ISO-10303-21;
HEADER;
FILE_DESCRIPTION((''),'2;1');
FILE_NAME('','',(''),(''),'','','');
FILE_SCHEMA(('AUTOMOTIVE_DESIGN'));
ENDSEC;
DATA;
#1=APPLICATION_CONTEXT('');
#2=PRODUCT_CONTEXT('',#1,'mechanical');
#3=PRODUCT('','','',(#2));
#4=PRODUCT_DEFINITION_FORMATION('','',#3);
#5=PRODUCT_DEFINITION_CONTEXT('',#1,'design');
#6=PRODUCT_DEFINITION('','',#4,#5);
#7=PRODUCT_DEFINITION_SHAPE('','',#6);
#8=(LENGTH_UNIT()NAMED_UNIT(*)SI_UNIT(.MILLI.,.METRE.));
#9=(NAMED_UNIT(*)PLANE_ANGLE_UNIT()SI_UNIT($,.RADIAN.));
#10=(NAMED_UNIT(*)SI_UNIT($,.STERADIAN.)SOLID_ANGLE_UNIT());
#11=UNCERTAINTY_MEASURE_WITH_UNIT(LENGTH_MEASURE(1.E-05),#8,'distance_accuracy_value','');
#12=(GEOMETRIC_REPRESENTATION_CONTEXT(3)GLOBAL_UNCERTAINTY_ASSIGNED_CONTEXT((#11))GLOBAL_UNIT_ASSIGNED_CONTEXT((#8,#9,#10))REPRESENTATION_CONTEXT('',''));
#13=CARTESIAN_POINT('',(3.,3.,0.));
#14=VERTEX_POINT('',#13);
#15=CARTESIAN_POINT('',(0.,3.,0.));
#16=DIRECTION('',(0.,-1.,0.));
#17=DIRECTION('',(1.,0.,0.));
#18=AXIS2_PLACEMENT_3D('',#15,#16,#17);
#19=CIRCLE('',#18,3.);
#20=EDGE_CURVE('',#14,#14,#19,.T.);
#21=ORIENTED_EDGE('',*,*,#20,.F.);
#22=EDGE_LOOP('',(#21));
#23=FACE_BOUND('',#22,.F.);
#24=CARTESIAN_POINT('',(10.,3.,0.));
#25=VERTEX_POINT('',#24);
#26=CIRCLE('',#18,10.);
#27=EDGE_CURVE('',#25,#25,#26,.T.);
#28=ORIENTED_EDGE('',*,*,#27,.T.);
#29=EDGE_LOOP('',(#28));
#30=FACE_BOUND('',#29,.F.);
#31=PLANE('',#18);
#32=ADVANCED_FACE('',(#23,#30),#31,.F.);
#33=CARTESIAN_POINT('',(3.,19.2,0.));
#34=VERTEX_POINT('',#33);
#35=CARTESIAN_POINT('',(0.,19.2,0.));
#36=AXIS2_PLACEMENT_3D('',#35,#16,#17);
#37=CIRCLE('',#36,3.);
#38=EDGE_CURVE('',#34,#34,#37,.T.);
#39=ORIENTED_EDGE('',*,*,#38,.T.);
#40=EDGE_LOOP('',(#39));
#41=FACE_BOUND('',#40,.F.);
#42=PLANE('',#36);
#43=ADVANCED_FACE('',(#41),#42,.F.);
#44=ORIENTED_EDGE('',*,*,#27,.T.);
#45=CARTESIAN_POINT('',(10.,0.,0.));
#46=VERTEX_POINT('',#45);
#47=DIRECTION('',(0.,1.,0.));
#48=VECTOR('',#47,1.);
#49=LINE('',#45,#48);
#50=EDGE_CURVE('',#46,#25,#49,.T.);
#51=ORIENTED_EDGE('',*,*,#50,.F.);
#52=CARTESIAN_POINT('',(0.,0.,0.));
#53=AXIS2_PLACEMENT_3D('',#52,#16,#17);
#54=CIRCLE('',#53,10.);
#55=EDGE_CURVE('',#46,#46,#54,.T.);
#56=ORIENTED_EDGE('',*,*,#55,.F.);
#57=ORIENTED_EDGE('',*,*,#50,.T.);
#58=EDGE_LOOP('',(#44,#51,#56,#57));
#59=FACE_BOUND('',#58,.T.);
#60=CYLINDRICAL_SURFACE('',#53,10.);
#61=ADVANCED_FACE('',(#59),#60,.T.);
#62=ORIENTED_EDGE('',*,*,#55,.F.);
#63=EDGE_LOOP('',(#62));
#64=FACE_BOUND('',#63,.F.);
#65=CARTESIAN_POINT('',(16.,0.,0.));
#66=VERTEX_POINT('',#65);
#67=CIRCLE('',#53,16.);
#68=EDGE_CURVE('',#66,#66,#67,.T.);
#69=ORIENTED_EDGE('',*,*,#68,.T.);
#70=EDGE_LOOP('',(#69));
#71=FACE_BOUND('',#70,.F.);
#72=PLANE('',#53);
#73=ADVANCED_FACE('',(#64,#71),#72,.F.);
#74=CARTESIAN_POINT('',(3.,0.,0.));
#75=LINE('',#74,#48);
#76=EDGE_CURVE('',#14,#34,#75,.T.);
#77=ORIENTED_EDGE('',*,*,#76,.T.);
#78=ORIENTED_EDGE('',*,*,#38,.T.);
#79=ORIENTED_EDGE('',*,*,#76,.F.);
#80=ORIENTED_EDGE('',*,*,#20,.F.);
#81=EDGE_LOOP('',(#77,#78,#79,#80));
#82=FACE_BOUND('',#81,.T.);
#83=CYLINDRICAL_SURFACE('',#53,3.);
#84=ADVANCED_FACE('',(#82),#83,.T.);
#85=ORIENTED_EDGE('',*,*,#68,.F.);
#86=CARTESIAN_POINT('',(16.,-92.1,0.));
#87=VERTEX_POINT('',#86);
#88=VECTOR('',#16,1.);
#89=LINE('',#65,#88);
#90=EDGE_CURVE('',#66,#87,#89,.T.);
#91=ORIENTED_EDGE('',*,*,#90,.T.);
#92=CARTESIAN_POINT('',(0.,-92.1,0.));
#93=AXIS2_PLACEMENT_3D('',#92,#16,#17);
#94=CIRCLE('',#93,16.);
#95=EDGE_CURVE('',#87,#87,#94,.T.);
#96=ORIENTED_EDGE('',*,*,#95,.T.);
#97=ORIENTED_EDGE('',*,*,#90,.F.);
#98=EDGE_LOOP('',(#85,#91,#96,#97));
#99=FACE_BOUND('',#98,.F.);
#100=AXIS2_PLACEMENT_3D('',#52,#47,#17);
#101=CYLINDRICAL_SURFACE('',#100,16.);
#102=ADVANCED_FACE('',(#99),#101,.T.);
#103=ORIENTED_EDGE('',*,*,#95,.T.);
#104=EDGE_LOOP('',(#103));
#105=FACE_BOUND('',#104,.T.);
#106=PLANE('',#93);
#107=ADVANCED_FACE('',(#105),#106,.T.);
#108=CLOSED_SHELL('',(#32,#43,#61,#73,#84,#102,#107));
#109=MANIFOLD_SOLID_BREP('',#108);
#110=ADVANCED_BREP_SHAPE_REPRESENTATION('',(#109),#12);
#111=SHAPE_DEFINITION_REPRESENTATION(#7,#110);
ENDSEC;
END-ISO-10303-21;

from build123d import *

# Parameters (mm, degrees)
F0_R     = 10
F3_DEPTH = 3
F2_R     = 3
F4_DEPTH = 19.2
F1_R     = 16
F5_DEPTH = 92.1


with BuildPart() as f3:
    # F0 (on Front) → F3 (new body)
    with BuildSketch(Plane.XZ):
        Circle(F0_R)
    extrude(amount=-F3_DEPTH)

    # F2 (on Front) → F4 (join)
    with BuildSketch(Plane.XZ):
        Circle(F2_R)
    extrude(amount=-F4_DEPTH)

    # F1 (on Front) → F5 (join)
    with BuildSketch(Plane.XZ):
        Circle(F1_R)
    extrude(amount=F5_DEPTH)


solid = f3.part
